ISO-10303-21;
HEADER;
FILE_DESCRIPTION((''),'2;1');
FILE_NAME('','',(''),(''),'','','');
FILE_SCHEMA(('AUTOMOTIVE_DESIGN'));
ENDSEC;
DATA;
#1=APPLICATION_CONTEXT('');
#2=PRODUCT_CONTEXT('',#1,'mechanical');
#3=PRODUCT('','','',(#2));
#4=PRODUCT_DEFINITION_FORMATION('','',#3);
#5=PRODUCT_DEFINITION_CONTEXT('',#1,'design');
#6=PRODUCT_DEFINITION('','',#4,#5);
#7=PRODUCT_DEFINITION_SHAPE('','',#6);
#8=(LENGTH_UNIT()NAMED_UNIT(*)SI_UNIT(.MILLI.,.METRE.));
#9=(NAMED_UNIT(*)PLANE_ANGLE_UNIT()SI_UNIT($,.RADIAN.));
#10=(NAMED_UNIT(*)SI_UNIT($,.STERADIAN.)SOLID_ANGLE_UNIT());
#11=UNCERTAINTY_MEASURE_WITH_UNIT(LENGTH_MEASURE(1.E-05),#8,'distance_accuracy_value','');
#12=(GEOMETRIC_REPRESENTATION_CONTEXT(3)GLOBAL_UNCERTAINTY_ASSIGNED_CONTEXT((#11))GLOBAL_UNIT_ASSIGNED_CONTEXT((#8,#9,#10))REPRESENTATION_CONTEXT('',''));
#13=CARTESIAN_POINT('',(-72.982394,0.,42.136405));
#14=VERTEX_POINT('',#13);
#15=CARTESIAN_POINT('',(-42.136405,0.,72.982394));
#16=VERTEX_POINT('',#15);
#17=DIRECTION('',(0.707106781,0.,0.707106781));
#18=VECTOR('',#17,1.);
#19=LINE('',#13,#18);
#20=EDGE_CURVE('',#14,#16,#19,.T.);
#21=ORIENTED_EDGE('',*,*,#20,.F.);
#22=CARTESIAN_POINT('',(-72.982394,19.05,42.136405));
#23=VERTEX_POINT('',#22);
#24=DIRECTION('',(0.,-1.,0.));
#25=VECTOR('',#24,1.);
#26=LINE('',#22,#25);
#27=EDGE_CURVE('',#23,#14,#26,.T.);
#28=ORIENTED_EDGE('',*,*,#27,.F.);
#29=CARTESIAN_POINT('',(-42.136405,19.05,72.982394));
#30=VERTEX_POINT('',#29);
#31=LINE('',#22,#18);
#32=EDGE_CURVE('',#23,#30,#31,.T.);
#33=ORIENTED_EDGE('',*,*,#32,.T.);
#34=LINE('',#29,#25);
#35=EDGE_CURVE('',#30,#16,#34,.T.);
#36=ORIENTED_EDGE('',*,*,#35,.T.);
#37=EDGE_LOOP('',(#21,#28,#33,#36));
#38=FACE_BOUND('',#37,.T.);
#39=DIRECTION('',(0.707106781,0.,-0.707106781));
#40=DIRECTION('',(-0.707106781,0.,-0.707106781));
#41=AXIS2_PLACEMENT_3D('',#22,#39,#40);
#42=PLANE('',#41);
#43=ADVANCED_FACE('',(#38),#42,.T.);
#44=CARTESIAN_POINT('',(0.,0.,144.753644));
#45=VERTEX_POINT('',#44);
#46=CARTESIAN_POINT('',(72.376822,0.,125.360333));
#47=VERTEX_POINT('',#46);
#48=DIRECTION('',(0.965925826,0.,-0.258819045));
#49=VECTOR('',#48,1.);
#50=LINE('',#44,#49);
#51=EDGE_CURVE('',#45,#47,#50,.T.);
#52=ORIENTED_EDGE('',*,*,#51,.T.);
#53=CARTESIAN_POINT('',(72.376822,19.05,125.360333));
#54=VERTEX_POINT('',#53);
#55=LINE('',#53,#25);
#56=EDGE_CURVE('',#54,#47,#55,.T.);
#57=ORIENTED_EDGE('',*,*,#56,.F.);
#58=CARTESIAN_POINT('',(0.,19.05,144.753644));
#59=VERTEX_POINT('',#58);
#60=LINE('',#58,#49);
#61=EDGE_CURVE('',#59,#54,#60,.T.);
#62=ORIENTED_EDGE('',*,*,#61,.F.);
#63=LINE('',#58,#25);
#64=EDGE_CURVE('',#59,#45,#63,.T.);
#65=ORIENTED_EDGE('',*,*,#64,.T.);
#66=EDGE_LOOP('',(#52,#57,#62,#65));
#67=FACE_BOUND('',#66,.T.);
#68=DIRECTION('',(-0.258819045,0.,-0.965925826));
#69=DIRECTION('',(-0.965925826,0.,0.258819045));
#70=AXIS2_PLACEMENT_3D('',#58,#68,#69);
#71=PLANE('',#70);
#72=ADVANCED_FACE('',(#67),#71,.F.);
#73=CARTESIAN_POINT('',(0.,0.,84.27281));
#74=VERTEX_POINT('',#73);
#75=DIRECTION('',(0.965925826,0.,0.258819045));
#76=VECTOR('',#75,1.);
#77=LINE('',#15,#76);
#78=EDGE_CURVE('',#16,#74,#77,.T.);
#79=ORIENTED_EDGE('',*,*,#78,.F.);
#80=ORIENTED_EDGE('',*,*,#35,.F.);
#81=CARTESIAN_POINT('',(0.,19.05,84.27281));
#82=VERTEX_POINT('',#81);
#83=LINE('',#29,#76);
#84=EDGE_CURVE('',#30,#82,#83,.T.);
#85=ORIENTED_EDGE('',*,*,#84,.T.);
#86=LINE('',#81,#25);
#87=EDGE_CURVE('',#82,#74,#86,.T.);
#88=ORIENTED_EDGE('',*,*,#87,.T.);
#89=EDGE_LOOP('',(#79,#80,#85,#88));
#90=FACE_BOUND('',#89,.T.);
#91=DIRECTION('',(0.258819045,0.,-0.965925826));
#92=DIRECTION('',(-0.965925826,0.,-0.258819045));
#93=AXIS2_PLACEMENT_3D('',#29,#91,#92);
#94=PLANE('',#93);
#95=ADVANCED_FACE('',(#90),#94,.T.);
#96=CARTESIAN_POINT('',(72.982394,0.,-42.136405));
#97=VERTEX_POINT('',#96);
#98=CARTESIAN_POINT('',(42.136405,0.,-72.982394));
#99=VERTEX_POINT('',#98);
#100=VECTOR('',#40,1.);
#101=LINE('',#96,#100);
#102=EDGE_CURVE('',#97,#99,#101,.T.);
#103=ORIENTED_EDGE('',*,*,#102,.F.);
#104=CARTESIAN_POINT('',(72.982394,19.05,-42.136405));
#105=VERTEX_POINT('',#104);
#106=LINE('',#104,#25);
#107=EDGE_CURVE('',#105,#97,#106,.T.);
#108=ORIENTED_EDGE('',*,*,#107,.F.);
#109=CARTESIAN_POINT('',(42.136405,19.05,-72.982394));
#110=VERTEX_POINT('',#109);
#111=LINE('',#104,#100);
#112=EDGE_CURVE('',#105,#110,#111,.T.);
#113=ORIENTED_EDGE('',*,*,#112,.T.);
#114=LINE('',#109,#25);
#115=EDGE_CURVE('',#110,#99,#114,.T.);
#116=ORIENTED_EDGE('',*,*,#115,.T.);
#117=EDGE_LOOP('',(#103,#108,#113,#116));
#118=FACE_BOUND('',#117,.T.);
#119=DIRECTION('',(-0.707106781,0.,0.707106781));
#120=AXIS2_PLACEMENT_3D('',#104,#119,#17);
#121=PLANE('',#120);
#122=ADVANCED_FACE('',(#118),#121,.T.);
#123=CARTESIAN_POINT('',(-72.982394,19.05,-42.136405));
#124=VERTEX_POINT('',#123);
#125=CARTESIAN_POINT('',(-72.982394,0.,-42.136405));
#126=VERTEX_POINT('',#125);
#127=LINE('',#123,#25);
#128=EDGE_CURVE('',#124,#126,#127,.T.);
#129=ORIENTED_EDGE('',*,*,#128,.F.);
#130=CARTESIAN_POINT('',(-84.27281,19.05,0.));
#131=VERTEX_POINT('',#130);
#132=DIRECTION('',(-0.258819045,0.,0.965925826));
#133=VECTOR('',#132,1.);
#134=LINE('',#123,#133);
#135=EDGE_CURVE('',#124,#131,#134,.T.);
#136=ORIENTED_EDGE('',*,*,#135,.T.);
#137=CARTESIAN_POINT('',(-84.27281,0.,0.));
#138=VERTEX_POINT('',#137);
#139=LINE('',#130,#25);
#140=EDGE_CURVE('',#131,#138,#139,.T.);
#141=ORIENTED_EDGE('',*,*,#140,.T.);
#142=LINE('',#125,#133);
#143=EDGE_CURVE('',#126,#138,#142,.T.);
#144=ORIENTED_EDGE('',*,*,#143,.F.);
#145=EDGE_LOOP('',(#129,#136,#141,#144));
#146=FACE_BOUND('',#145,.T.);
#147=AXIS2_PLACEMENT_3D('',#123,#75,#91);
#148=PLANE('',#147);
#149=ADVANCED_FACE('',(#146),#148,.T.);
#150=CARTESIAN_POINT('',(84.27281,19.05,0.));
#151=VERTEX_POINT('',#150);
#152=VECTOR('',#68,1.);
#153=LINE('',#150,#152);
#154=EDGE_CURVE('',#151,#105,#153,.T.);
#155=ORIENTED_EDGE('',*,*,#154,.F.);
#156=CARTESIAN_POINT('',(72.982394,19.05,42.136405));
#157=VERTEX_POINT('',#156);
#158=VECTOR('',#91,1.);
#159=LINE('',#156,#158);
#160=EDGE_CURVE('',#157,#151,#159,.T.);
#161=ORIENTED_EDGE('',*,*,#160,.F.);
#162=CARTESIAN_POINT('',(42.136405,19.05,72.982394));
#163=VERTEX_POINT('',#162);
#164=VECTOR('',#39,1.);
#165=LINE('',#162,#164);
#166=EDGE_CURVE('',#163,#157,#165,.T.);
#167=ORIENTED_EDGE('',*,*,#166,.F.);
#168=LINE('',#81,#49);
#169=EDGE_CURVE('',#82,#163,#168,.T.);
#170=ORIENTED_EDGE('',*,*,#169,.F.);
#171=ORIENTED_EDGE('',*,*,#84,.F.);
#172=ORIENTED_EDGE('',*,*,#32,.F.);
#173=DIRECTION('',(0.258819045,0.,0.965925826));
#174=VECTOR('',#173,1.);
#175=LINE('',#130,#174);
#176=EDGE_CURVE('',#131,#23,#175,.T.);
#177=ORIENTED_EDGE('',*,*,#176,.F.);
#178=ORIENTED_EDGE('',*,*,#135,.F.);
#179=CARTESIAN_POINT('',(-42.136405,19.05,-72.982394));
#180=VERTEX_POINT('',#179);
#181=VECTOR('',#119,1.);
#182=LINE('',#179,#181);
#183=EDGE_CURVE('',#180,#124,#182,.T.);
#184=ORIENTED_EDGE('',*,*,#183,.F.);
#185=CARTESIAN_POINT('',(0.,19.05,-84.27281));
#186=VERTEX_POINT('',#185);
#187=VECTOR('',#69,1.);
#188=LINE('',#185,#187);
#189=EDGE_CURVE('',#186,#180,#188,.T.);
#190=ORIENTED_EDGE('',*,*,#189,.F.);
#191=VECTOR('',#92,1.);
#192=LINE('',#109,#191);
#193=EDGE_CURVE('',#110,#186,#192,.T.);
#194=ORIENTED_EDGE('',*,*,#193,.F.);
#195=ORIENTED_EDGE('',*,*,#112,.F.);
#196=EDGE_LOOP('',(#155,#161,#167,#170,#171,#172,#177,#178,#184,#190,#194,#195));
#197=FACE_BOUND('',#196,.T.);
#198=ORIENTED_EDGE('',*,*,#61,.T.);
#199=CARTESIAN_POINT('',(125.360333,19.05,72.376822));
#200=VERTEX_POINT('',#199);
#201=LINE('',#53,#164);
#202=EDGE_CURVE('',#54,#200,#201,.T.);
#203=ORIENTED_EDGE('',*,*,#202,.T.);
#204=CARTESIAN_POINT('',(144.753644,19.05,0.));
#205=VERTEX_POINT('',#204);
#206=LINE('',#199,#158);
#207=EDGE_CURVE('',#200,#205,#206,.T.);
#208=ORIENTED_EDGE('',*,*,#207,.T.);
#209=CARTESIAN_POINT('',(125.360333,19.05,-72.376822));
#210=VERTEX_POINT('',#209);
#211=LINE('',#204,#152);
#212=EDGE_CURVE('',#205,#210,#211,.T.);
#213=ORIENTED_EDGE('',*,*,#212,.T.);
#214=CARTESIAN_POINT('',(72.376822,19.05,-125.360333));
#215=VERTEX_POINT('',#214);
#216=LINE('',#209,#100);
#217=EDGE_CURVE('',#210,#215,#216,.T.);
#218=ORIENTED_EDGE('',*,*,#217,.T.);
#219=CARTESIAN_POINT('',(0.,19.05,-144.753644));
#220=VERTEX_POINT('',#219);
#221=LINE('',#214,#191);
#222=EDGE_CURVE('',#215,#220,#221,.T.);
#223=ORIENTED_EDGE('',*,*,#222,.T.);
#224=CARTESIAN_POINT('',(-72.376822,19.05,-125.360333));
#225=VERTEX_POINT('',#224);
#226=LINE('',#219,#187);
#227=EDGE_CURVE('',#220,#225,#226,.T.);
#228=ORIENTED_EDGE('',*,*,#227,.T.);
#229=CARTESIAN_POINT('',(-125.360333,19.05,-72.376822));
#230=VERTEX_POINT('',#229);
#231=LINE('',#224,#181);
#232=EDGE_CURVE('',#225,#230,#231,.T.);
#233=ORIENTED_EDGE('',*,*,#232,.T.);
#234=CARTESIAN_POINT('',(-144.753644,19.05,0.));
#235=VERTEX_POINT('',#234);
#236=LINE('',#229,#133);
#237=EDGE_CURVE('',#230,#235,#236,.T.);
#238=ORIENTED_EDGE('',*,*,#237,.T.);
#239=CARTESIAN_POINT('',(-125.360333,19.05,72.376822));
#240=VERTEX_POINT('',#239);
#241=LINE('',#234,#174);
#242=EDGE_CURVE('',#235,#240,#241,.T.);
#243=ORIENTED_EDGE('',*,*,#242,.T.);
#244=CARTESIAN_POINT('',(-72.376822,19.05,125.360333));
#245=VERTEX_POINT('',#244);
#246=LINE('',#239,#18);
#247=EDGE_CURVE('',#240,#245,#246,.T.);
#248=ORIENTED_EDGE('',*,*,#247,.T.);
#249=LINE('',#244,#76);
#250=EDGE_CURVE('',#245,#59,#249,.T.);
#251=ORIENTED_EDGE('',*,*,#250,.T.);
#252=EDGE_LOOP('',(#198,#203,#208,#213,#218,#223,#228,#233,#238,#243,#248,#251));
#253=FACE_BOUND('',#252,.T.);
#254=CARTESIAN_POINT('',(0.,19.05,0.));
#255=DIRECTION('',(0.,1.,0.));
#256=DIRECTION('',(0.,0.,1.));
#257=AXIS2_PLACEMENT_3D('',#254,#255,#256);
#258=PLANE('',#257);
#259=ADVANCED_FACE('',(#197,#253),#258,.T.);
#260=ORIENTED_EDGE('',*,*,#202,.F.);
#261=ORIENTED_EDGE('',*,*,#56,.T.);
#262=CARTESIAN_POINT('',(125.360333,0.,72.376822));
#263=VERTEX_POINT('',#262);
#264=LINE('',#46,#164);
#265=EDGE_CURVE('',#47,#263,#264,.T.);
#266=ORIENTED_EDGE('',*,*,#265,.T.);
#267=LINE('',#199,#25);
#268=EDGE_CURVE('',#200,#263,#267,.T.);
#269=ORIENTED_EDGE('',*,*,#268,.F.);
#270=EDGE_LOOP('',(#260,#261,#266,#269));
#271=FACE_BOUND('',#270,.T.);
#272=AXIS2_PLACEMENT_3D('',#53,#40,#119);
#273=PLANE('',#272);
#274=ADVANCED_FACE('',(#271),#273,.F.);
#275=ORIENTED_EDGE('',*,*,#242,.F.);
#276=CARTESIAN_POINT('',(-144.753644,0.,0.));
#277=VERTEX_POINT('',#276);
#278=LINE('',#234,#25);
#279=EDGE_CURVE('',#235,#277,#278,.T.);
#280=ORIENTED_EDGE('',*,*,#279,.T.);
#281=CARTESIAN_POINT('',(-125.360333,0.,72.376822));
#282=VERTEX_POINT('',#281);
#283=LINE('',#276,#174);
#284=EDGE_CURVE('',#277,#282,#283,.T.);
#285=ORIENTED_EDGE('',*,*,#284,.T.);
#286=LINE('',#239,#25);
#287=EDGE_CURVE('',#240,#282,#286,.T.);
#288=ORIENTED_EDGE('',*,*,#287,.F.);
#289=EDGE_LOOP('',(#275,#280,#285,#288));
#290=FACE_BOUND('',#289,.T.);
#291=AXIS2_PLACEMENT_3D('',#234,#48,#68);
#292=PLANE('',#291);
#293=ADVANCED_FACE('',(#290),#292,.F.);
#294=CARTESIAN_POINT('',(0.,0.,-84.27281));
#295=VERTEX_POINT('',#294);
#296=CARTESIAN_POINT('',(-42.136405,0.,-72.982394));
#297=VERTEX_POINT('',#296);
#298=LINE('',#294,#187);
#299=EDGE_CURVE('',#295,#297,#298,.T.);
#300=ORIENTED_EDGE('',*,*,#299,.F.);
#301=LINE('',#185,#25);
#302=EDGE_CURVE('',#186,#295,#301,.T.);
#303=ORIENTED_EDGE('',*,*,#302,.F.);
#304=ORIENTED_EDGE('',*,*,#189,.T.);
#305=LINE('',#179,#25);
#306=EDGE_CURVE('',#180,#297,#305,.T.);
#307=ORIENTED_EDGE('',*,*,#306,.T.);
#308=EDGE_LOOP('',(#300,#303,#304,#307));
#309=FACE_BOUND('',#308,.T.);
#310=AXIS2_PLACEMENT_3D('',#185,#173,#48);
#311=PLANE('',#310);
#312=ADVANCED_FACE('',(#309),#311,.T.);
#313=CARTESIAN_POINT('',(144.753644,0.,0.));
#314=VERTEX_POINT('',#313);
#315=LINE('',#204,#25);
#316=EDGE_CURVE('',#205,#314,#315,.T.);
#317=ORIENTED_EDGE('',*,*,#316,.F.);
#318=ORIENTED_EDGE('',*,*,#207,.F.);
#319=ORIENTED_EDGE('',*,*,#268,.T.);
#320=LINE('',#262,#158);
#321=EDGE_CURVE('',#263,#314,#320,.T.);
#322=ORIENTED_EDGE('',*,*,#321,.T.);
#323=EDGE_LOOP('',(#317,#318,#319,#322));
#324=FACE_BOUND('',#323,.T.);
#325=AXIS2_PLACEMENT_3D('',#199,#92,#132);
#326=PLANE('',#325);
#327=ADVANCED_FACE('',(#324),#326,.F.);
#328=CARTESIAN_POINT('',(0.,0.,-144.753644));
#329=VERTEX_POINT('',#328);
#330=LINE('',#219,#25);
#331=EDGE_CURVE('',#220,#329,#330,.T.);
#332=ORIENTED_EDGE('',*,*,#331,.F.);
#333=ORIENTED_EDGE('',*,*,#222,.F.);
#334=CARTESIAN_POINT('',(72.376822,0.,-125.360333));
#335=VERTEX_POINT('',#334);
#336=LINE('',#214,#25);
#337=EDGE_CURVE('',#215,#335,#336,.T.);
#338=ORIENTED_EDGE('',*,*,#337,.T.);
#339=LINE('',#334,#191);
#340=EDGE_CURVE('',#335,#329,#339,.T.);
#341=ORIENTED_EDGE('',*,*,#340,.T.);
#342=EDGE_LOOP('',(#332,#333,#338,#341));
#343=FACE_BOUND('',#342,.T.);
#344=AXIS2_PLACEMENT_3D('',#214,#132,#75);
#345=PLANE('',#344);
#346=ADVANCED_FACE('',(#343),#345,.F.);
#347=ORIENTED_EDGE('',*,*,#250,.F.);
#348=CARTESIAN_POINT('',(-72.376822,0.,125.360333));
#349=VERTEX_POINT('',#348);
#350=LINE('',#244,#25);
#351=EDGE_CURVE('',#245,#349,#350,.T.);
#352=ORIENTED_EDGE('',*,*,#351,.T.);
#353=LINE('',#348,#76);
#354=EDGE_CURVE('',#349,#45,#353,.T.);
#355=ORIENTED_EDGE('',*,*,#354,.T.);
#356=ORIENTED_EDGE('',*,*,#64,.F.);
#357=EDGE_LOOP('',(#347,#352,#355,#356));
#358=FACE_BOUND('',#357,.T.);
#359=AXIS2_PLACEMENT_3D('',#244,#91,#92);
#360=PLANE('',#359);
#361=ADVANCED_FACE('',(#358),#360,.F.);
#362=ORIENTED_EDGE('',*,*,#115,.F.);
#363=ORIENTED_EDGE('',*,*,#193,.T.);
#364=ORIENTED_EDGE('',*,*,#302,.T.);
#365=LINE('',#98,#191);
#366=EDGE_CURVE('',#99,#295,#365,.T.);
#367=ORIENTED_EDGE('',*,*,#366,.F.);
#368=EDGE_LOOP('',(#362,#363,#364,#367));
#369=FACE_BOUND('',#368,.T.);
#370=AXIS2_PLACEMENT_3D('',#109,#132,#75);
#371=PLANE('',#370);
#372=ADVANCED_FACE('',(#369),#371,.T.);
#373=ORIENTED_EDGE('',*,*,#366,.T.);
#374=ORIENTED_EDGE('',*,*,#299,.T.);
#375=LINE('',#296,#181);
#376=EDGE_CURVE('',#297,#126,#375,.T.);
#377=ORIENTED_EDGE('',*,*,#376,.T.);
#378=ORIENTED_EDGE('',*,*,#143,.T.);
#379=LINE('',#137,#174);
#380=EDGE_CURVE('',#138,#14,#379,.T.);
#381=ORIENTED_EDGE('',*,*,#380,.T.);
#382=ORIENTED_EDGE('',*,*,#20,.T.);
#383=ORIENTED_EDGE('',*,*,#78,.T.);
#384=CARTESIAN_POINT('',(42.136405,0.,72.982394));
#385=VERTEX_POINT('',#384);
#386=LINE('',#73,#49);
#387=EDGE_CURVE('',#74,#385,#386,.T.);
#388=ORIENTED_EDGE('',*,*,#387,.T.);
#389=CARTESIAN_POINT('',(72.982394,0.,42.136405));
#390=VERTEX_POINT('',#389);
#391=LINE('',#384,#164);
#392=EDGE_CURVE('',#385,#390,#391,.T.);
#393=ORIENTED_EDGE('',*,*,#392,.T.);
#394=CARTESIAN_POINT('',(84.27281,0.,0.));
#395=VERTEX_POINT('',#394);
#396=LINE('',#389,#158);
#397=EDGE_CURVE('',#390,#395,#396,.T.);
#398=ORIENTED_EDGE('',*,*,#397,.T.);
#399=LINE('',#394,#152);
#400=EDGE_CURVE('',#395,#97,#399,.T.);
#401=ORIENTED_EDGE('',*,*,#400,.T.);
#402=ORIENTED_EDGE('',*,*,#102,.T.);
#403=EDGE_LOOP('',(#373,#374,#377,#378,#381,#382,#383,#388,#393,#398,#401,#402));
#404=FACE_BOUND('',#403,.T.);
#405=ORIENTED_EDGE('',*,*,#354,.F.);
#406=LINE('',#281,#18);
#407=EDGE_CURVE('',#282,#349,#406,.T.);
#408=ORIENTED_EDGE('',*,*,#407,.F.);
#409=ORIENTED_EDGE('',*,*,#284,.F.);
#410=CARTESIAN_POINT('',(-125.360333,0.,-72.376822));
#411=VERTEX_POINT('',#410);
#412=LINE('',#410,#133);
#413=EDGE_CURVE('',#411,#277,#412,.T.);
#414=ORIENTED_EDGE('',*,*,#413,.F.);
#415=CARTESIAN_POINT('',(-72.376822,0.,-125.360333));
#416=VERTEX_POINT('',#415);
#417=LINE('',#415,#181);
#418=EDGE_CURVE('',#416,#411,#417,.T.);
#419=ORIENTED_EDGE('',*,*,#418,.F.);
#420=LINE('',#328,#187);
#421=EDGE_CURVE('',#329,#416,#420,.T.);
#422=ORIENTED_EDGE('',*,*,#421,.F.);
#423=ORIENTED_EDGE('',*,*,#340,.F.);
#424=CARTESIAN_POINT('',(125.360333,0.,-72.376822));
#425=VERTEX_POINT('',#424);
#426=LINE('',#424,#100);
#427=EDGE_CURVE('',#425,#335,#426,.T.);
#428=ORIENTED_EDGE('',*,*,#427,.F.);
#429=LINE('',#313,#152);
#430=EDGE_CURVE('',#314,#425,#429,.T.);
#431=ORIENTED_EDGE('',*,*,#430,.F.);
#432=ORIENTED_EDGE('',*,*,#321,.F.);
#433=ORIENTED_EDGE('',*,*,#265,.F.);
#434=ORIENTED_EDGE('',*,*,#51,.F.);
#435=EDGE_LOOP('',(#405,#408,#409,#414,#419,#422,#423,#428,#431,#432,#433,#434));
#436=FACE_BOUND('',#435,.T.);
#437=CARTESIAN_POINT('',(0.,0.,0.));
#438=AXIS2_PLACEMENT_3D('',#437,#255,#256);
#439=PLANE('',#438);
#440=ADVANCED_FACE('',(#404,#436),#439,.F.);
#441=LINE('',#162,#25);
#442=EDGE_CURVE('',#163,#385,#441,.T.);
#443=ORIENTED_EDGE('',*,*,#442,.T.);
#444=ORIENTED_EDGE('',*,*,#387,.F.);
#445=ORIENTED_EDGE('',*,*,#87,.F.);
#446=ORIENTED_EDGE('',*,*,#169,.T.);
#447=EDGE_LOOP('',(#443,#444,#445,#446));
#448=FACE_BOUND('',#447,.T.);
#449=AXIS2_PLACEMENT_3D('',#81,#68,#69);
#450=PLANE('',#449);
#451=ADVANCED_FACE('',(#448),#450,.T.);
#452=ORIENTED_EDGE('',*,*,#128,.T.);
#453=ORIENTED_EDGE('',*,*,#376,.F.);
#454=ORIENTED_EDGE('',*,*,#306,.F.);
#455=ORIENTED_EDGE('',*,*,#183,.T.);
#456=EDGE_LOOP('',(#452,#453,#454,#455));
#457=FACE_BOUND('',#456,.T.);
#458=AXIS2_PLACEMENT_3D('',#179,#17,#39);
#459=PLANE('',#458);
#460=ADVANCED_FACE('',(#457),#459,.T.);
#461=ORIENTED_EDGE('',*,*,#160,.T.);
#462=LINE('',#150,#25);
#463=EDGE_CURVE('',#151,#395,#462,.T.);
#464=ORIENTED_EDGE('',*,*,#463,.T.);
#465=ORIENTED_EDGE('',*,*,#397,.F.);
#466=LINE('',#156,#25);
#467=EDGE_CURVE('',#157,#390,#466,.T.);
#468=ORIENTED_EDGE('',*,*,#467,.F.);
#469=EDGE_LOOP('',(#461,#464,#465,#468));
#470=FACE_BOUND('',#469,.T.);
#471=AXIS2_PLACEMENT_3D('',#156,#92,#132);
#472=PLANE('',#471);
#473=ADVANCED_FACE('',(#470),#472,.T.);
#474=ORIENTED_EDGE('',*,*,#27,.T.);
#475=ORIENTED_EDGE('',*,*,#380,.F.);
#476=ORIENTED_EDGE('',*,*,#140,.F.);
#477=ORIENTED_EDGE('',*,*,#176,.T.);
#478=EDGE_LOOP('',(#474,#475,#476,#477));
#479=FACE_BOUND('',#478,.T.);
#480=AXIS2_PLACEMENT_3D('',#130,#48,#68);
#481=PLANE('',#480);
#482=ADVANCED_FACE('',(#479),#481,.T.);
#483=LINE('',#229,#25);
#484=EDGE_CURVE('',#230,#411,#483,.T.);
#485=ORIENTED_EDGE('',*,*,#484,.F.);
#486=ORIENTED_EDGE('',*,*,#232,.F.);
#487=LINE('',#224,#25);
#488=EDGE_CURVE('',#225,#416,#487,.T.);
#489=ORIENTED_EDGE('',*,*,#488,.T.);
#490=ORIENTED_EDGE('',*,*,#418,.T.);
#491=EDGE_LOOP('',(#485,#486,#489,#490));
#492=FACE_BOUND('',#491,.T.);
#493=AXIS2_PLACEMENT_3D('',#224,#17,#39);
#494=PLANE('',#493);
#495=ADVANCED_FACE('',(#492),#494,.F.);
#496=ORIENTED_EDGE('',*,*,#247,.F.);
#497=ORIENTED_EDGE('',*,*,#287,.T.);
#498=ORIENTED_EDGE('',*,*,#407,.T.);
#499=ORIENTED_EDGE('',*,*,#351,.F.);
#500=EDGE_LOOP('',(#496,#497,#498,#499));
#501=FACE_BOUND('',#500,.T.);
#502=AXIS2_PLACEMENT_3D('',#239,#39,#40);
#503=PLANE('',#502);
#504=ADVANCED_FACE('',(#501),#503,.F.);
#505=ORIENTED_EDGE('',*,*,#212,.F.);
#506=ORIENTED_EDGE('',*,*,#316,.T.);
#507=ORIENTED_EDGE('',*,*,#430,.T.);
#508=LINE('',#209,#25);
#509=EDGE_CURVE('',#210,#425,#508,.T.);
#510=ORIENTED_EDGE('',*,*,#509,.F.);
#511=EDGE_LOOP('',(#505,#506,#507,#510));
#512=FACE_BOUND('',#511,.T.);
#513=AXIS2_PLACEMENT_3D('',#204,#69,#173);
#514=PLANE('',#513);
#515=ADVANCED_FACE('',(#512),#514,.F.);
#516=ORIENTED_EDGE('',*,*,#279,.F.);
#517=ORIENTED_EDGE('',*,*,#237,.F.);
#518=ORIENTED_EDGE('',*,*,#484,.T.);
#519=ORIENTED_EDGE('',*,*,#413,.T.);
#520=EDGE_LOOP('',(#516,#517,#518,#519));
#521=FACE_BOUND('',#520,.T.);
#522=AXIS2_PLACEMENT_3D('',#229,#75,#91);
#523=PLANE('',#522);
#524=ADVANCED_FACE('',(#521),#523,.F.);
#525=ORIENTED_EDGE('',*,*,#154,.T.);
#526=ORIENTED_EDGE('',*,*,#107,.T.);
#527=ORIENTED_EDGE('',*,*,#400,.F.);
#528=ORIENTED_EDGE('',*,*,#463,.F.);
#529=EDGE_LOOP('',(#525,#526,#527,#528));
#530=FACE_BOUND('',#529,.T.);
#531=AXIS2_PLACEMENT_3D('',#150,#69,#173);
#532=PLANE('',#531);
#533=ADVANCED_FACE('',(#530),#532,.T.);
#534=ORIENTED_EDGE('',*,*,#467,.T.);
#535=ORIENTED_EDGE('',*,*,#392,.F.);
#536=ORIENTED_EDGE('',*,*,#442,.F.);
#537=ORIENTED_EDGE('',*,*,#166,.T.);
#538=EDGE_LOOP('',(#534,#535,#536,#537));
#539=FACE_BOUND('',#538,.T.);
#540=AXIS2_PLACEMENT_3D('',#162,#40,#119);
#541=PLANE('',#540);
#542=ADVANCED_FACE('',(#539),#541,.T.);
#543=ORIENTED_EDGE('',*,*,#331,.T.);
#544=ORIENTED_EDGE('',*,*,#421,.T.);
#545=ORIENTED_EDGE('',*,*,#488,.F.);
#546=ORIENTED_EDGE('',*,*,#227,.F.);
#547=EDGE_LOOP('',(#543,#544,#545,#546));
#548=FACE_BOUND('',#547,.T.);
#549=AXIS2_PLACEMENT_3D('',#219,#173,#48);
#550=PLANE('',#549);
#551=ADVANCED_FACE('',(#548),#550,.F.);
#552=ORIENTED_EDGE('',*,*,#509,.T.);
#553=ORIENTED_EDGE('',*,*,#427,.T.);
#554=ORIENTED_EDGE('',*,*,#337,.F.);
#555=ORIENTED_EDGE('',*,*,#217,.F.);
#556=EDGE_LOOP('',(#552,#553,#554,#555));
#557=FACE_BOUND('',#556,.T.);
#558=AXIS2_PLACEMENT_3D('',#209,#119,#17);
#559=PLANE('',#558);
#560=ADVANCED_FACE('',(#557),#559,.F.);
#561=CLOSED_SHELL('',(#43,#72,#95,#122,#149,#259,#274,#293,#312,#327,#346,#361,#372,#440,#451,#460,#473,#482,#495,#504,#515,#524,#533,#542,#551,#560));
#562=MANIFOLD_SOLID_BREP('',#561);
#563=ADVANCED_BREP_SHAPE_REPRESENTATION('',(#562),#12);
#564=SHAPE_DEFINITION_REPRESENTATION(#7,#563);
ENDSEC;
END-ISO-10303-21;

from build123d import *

# Parameters (mm, degrees)
BOSS_EXTRUDE2_DEPTH = 19.05


with BuildPart() as part:
    # Sketch2 → Boss-Extrude2 (new body)
    with BuildSketch(Plane(origin=(0, 0, 0), x_dir=(1, 0, 0), z_dir=(0, 1, 0))):
        Polygon((-144.753644328, 0), (-125.360333278, -72.376822164), (-72.376822164, -125.360333278), (0, -144.753644328), (72.376822164, -125.360333278), (125.360333278, -72.376822164), (144.753644328, 0), (125.360333278, 72.376822164), (72.376822164, 125.360333278), (0, 144.753644328), (-72.376822164, 125.360333278), (-125.360333278, 72.376822164), align=None)
        Polygon((-84.272809868, 0), (-72.982394194, -42.136404934), (-42.136404934, -72.982394194), (0, -84.272809868), (42.136404934, -72.982394194), (72.982394194, -42.136404934), (84.272809868, 0), (72.982394194, 42.136404934), (42.136404934, 72.982394194), (0, 84.272809868), (-42.136404934, 72.982394194), (-72.982394194, 42.136404934), align=None, mode=Mode.SUBTRACT)
    extrude(amount=BOSS_EXTRUDE2_DEPTH)


solid = part.part
